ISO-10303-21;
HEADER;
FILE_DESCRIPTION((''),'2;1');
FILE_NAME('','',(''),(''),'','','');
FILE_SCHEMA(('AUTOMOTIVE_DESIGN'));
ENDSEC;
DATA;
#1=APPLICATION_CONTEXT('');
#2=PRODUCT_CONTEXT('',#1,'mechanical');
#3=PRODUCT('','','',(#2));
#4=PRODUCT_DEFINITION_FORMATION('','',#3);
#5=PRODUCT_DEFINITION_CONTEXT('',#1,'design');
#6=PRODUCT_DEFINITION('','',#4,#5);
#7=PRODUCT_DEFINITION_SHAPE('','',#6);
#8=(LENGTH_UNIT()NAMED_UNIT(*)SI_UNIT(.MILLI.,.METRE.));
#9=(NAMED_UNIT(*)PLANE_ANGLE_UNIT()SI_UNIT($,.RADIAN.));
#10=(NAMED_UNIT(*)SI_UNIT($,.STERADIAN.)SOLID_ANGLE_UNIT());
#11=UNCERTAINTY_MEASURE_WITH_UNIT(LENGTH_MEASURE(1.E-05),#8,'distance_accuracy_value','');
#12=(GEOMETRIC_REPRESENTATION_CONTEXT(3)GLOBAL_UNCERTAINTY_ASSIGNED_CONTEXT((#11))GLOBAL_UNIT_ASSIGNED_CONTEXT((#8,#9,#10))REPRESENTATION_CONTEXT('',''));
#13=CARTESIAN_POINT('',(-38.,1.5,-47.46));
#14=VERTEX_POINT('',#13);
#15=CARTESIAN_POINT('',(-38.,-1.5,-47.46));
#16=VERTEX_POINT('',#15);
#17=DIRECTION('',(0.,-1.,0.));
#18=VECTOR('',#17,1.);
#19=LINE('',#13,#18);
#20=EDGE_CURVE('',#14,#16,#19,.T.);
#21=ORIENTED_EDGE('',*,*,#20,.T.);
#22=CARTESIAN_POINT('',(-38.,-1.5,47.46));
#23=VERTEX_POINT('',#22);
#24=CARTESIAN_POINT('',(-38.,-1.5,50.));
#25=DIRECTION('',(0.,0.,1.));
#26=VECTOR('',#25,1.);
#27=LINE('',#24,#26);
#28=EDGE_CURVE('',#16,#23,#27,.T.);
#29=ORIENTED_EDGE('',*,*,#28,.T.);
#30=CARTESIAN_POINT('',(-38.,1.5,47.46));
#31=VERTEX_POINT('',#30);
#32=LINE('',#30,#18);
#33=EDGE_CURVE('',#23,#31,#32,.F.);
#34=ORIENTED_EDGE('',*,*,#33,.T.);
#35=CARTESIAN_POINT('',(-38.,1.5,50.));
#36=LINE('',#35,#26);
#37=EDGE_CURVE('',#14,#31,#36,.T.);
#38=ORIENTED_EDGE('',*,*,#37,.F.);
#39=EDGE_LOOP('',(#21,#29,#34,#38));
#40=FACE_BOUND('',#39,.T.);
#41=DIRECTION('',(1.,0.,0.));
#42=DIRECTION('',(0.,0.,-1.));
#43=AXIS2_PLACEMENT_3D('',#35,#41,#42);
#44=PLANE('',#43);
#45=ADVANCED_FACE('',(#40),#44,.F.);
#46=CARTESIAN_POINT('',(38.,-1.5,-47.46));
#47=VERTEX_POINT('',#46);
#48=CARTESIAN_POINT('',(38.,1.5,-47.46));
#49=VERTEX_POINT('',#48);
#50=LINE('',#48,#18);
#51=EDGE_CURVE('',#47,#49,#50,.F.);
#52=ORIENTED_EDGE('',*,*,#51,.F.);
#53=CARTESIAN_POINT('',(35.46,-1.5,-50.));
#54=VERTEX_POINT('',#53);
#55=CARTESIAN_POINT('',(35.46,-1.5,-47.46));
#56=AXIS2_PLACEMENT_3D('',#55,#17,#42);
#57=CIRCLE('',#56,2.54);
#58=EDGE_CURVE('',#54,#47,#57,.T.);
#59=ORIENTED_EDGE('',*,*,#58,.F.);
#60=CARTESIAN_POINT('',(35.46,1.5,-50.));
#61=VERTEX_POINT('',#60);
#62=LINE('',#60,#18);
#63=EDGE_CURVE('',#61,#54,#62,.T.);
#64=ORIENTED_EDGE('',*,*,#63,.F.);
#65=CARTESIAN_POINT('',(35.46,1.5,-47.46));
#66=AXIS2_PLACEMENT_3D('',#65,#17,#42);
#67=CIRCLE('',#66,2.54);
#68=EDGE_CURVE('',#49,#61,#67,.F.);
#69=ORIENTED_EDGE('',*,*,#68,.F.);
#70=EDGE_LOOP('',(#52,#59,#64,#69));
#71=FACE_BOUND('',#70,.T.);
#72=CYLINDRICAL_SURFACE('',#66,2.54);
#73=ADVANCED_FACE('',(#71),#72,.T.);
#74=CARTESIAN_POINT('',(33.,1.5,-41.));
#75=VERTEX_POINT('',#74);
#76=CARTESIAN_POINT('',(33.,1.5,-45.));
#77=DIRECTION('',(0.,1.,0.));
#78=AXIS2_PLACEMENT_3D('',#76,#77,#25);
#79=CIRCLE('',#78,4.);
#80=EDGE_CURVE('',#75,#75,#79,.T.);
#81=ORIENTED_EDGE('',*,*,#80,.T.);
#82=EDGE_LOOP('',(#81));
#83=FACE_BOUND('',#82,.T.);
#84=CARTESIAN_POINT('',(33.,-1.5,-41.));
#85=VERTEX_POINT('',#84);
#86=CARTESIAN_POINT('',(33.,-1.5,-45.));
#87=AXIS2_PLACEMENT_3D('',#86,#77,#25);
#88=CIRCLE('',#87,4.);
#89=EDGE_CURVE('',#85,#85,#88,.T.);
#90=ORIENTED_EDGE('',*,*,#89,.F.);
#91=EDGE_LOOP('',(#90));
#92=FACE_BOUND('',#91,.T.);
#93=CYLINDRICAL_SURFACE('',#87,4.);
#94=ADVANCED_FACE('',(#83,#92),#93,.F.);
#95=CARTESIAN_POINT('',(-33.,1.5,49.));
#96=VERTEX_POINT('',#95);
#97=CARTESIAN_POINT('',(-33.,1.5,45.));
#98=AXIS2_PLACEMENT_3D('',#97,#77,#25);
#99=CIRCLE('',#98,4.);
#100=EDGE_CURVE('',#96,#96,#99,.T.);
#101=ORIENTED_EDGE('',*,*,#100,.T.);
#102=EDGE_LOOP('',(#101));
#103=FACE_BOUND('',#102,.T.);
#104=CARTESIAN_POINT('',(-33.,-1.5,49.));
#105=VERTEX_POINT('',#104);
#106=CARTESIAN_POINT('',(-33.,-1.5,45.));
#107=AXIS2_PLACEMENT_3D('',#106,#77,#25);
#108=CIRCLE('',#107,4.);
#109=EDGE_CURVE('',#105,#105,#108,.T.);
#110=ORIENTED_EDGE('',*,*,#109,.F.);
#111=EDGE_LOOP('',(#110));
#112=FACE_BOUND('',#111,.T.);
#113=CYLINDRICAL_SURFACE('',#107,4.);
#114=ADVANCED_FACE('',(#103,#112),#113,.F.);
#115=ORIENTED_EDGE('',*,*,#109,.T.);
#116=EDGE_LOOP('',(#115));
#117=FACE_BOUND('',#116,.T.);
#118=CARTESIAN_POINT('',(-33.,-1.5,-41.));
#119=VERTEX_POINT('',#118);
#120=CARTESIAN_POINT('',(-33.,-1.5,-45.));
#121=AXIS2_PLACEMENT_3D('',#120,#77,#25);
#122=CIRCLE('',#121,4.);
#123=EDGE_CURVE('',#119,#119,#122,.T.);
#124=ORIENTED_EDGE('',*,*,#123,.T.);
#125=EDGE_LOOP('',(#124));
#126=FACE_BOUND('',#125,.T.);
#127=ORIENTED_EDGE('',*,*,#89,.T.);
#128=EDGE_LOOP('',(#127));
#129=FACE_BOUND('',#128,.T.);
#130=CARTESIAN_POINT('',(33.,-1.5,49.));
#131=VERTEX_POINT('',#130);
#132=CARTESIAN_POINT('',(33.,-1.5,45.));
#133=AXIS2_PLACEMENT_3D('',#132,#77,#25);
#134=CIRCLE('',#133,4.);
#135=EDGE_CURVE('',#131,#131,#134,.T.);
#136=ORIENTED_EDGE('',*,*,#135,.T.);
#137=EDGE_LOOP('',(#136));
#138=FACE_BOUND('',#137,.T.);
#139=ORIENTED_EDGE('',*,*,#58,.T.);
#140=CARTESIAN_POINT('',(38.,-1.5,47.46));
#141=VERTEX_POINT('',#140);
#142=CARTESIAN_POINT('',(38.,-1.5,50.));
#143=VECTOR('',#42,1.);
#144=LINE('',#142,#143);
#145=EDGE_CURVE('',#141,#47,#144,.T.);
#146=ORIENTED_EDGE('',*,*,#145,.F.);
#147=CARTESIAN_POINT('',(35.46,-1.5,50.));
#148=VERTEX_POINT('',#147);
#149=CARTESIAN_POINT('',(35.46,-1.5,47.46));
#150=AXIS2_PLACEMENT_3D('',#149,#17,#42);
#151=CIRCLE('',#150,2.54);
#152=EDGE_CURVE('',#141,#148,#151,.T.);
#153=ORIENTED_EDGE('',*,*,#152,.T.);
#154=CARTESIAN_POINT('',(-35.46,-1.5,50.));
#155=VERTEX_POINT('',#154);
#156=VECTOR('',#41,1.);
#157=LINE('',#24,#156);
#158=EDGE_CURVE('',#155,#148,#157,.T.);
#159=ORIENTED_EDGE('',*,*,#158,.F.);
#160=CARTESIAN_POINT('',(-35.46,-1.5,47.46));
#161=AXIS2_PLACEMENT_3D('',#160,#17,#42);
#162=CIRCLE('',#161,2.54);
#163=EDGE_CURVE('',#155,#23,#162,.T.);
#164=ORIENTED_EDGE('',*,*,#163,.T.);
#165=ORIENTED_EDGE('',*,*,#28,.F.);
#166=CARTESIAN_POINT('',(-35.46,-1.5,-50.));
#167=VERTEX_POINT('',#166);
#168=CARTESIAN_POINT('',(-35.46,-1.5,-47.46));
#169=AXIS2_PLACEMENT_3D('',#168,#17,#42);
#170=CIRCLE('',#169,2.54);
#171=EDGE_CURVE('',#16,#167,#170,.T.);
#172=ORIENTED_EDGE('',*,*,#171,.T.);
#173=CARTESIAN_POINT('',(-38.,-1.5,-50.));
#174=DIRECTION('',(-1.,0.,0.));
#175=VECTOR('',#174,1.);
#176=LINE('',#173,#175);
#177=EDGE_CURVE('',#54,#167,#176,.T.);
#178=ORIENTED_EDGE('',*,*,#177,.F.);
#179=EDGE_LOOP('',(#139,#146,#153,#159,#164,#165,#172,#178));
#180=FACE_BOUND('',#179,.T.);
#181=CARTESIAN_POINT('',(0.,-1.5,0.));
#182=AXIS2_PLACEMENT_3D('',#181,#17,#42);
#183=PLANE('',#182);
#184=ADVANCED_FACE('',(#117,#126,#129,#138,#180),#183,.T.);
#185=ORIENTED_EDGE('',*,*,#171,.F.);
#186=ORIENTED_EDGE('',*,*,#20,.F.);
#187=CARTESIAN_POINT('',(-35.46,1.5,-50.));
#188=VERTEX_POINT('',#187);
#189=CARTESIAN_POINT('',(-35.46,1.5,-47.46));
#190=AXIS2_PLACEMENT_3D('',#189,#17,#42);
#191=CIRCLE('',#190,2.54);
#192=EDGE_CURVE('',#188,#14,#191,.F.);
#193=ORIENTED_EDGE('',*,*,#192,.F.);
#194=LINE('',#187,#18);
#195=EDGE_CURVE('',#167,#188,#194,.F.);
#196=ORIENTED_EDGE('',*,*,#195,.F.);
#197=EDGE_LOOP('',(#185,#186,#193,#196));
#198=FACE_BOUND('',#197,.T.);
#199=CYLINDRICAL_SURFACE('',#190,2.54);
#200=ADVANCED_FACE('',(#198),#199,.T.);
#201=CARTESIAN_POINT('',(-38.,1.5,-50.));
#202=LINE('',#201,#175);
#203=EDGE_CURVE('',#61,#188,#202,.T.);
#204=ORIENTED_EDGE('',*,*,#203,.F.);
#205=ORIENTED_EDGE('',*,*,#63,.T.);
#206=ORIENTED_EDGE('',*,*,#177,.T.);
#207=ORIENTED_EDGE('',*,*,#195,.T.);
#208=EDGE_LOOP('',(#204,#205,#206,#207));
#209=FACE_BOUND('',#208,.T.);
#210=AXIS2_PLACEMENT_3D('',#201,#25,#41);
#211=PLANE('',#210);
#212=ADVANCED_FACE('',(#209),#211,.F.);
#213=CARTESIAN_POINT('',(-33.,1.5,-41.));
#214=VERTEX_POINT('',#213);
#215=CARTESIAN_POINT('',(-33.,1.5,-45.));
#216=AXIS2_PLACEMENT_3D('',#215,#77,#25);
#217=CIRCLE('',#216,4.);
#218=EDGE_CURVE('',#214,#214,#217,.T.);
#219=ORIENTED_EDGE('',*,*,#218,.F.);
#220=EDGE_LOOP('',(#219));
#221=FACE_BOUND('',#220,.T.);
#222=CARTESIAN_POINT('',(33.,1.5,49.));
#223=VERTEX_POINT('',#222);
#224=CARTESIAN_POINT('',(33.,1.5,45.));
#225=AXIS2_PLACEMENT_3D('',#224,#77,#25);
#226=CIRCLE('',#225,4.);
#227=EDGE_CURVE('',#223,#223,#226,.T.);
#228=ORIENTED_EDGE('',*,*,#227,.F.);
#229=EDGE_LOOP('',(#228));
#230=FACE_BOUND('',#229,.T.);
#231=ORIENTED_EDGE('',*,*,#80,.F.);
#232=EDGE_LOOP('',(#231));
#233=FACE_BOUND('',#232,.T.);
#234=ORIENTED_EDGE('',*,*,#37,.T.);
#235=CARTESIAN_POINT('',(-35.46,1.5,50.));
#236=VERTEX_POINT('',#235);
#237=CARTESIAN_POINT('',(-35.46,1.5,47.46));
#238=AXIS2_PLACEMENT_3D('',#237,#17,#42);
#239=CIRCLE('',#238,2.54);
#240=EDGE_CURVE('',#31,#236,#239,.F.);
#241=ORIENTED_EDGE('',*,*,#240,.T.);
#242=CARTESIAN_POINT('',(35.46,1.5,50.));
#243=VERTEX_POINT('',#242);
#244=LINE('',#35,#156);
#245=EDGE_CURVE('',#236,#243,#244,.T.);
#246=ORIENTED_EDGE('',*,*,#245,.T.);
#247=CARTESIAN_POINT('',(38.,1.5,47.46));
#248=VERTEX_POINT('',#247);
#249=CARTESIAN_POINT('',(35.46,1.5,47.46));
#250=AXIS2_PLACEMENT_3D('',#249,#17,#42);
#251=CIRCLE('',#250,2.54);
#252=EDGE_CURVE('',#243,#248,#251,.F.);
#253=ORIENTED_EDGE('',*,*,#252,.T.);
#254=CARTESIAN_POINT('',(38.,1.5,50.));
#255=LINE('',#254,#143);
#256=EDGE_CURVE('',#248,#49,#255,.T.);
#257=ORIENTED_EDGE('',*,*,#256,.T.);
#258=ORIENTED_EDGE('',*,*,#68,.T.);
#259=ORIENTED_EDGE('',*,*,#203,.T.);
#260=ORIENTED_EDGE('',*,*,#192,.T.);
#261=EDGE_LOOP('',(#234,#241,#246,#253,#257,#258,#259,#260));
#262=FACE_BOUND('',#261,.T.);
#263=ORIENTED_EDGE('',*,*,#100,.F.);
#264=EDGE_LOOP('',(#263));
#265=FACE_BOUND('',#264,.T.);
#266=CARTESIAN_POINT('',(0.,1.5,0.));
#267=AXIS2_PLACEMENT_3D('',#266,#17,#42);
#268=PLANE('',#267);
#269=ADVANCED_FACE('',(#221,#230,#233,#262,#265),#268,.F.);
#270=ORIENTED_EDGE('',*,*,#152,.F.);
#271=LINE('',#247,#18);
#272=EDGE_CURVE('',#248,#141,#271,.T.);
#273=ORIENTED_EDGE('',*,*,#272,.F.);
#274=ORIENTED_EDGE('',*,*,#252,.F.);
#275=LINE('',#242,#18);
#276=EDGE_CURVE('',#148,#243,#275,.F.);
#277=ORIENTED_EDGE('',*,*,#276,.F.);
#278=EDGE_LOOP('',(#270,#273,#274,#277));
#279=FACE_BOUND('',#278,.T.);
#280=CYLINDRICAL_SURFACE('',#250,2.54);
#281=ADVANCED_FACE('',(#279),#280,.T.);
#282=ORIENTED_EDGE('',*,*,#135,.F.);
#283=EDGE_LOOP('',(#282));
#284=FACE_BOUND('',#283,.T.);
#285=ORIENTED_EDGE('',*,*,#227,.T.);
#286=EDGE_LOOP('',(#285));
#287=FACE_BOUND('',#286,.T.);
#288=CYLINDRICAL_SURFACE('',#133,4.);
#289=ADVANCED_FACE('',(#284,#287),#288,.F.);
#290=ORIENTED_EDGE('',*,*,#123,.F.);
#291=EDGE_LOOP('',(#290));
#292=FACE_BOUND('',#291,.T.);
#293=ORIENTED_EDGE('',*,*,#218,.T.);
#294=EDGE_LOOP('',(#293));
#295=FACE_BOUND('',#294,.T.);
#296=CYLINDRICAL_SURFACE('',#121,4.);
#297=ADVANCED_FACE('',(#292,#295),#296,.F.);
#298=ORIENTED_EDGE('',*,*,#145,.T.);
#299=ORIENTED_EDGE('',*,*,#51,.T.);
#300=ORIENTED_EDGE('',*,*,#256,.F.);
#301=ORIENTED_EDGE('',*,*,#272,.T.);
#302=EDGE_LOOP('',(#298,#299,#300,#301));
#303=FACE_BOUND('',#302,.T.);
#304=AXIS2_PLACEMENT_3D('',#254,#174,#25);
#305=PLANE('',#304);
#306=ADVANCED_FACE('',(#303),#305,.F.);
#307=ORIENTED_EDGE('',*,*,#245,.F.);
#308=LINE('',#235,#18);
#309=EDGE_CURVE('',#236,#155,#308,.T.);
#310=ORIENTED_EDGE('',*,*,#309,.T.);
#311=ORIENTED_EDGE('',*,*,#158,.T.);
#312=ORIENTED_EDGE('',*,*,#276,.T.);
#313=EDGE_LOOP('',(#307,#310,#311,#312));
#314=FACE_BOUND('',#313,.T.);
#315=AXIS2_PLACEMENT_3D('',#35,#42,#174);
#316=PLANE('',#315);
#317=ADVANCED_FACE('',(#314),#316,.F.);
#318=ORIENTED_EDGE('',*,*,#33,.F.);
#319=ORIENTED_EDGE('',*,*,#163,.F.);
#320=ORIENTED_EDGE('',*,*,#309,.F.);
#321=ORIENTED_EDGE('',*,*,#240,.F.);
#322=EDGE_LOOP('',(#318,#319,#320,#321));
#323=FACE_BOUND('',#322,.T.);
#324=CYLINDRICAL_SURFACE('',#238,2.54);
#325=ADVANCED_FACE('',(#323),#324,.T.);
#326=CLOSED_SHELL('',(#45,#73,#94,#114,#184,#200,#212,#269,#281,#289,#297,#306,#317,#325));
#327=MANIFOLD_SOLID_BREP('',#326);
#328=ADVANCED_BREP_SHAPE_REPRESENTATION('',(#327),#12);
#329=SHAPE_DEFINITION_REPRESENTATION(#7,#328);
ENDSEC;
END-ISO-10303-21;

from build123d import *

# Parameters (mm, degrees)
SKETCH1_W           = 76
SKETCH1_H           = 100
BOSS_EXTRUDE1_DEPTH = 1.5
FILLET1_R           = 2.54
SKETCH2_R           = 4
CUT_EXTRUDE1_DEPTH  = 63.872887638


with BuildPart() as part:
    # Sketch1 → Boss-Extrude1 (new, symmetric)
    with BuildSketch(Plane(origin=(0, 0, 0), x_dir=(1, 0, 0), z_dir=(0, 1, 0))):
        Rectangle(SKETCH1_W, SKETCH1_H)
    extrude(amount=BOSS_EXTRUDE1_DEPTH, both=True)

    # Fillet1
    fillet1_edges = [part.edges().sort_by_distance(p)[0] for p in [
        (38, 0, 50),
        (-38, 0, 50),
        (-38, 0, -50),
        (38, 0, -50),
    ]]
    fillet(fillet1_edges, radius=FILLET1_R)

    # Sketch2 → Cut-Extrude1 (cut, through all)
    with BuildSketch(Plane(origin=(0, 1.5, 0), x_dir=(1, 0, 0), z_dir=(0, 1, 0))):
        with Locations(Location((-33, 45, 0), (0, 0, 270))):
            Circle(SKETCH2_R)
        with Locations(Location((33, 45, 0), (0, 0, 270))):
            Circle(SKETCH2_R)
        with Locations(Location((33, -45, 0), (0, 0, 270))):
            Circle(SKETCH2_R)
        with Locations(Location((-33, -45, 0), (0, 0, 270))):
            Circle(SKETCH2_R)
    extrude(amount=-CUT_EXTRUDE1_DEPTH, mode=Mode.SUBTRACT)


solid = part.part
